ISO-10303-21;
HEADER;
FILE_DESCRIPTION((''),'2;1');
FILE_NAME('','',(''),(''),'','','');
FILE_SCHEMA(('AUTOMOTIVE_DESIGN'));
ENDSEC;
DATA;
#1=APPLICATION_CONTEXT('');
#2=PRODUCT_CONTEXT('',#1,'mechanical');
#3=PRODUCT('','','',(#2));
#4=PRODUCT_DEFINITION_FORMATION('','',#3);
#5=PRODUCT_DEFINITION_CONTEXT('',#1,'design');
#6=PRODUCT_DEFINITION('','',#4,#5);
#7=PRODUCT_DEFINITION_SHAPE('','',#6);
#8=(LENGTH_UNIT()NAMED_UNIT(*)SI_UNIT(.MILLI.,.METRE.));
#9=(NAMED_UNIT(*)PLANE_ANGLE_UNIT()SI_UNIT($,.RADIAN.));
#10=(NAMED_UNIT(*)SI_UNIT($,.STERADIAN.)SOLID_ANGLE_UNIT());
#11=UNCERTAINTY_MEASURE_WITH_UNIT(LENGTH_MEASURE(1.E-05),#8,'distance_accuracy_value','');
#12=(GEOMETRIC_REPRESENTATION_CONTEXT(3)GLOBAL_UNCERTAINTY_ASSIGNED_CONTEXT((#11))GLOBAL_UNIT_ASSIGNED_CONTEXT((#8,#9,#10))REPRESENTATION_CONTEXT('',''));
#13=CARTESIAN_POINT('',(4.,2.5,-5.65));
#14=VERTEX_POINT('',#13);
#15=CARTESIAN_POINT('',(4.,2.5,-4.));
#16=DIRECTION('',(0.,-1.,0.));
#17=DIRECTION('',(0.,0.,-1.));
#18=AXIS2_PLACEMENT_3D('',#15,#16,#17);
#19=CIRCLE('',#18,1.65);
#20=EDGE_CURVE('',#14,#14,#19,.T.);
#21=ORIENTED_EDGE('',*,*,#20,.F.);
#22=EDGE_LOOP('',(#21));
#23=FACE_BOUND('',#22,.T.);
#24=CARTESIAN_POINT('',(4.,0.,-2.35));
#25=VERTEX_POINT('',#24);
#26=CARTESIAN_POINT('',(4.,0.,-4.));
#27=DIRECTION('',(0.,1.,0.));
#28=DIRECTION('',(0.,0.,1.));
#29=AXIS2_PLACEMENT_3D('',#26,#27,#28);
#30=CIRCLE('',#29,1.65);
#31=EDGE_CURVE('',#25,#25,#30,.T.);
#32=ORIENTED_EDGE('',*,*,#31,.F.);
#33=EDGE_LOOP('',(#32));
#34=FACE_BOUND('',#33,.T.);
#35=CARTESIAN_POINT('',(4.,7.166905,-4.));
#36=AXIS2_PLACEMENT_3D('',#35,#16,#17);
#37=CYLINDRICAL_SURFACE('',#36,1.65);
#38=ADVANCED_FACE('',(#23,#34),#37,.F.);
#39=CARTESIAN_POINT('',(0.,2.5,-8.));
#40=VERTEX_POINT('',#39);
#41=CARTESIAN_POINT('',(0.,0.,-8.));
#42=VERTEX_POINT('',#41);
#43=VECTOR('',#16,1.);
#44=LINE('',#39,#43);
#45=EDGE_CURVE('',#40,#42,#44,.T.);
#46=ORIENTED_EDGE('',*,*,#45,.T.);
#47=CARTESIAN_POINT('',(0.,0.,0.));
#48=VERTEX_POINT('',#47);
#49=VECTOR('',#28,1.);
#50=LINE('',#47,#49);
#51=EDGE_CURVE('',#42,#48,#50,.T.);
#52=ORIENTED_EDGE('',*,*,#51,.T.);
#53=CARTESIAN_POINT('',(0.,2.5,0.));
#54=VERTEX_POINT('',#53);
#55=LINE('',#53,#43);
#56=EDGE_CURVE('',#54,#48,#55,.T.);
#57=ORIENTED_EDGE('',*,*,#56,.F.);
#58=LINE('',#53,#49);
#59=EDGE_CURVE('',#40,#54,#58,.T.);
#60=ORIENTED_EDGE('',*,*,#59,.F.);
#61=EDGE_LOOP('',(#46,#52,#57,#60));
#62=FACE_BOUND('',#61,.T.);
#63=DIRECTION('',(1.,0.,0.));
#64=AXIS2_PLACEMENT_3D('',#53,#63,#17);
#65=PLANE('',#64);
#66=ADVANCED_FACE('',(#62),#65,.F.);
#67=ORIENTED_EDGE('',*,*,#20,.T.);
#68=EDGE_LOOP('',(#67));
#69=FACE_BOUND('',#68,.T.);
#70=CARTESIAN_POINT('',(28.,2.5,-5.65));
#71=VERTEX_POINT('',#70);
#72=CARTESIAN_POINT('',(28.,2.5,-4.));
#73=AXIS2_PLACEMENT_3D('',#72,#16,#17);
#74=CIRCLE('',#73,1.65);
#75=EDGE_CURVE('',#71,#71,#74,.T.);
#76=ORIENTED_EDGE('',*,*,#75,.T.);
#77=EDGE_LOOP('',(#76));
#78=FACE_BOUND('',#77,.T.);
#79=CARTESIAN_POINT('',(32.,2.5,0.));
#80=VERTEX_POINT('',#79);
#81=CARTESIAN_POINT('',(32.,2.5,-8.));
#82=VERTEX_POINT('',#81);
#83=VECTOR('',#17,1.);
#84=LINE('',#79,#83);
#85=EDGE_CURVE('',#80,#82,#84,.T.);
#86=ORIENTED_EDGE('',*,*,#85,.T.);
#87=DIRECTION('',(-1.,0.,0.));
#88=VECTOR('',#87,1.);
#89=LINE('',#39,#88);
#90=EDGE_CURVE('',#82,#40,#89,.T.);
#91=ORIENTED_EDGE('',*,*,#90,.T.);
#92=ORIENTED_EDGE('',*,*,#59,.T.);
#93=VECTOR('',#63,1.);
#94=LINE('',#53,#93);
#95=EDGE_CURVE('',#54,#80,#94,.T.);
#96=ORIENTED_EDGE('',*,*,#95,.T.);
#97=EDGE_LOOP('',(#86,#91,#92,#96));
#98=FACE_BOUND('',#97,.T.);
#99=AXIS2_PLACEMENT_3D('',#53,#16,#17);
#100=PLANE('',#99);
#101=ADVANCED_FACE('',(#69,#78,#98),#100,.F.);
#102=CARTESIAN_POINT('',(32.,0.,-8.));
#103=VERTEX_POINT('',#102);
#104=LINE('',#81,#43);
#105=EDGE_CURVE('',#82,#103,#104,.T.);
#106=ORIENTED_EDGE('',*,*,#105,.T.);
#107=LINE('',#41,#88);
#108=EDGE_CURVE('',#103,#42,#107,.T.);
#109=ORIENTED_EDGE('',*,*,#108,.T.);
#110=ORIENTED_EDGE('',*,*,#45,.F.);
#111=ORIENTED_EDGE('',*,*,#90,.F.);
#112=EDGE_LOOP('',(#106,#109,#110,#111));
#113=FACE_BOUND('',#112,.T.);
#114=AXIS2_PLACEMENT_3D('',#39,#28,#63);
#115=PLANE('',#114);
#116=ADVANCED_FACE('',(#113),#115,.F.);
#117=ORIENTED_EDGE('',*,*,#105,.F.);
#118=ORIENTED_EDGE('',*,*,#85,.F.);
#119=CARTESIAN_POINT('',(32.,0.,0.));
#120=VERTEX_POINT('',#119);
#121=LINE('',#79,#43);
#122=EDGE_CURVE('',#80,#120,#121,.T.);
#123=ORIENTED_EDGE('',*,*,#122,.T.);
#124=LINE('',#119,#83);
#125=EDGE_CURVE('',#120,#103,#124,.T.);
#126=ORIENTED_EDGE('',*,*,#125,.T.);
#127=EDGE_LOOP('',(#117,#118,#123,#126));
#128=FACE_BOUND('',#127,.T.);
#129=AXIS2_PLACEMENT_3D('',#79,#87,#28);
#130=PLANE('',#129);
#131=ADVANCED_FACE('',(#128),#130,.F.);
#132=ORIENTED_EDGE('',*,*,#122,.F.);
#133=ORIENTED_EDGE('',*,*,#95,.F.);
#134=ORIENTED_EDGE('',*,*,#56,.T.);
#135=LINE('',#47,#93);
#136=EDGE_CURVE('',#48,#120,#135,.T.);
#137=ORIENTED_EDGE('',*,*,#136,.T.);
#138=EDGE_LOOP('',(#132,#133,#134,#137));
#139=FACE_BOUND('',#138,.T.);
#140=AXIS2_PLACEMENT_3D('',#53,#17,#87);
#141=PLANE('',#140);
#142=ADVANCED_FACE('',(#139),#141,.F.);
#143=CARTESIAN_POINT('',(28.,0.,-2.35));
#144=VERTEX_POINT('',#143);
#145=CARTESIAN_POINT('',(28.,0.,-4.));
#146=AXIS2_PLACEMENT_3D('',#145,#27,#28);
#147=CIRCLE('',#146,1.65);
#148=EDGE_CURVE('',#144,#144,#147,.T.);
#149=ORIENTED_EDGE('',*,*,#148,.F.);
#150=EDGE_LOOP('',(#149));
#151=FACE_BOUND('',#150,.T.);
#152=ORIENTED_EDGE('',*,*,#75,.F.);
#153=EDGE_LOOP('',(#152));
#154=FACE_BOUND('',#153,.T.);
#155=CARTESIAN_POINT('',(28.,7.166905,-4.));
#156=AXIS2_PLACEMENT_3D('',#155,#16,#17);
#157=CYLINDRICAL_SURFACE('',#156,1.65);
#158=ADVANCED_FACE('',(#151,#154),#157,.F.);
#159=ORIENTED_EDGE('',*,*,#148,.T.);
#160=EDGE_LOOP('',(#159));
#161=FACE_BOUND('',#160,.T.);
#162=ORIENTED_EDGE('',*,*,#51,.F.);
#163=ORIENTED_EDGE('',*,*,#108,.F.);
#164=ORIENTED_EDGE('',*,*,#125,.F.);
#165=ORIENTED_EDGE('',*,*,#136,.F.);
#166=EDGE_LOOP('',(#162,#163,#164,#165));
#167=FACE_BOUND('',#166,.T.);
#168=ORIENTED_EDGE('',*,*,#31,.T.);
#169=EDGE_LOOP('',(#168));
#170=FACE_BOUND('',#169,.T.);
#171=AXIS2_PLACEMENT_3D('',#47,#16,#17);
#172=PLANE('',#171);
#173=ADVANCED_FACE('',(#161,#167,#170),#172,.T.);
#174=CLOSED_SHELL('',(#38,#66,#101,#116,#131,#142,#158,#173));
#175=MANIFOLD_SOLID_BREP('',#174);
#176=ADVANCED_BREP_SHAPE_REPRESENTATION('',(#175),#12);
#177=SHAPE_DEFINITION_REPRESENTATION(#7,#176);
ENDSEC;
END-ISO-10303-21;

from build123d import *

# Parameters (mm, degrees)
SKETCH1_W           = 32
SKETCH1_H           = 8
BOSS_EXTRUDE1_DEPTH = 2.5
SKETCH2_R           = 1.65
CUT_EXTRUDE1_DEPTH  = 2.5


with BuildPart() as part:
    # Sketch1 → Boss-Extrude1 (new body)
    with BuildSketch(Plane(origin=(0, 0, 0), x_dir=(1, 0, 0), z_dir=(0, 1, 0))):
        with Locations((16, 4)):
            Rectangle(SKETCH1_W, SKETCH1_H)
    extrude(amount=BOSS_EXTRUDE1_DEPTH)

    # Sketch2 → Cut-Extrude1 (cut)
    with BuildSketch(Plane(origin=(0, 0, 0), x_dir=(1, 0, 0), z_dir=(0, 1, 0))):
        with Locations(Location((4, 4, 0), (0, 0, 90))):
            Circle(SKETCH2_R)
        with Locations(Location((28, 4, 0), (0, 0, 90))):
            Circle(SKETCH2_R)
    extrude(amount=CUT_EXTRUDE1_DEPTH, mode=Mode.SUBTRACT)


solid = part.part
